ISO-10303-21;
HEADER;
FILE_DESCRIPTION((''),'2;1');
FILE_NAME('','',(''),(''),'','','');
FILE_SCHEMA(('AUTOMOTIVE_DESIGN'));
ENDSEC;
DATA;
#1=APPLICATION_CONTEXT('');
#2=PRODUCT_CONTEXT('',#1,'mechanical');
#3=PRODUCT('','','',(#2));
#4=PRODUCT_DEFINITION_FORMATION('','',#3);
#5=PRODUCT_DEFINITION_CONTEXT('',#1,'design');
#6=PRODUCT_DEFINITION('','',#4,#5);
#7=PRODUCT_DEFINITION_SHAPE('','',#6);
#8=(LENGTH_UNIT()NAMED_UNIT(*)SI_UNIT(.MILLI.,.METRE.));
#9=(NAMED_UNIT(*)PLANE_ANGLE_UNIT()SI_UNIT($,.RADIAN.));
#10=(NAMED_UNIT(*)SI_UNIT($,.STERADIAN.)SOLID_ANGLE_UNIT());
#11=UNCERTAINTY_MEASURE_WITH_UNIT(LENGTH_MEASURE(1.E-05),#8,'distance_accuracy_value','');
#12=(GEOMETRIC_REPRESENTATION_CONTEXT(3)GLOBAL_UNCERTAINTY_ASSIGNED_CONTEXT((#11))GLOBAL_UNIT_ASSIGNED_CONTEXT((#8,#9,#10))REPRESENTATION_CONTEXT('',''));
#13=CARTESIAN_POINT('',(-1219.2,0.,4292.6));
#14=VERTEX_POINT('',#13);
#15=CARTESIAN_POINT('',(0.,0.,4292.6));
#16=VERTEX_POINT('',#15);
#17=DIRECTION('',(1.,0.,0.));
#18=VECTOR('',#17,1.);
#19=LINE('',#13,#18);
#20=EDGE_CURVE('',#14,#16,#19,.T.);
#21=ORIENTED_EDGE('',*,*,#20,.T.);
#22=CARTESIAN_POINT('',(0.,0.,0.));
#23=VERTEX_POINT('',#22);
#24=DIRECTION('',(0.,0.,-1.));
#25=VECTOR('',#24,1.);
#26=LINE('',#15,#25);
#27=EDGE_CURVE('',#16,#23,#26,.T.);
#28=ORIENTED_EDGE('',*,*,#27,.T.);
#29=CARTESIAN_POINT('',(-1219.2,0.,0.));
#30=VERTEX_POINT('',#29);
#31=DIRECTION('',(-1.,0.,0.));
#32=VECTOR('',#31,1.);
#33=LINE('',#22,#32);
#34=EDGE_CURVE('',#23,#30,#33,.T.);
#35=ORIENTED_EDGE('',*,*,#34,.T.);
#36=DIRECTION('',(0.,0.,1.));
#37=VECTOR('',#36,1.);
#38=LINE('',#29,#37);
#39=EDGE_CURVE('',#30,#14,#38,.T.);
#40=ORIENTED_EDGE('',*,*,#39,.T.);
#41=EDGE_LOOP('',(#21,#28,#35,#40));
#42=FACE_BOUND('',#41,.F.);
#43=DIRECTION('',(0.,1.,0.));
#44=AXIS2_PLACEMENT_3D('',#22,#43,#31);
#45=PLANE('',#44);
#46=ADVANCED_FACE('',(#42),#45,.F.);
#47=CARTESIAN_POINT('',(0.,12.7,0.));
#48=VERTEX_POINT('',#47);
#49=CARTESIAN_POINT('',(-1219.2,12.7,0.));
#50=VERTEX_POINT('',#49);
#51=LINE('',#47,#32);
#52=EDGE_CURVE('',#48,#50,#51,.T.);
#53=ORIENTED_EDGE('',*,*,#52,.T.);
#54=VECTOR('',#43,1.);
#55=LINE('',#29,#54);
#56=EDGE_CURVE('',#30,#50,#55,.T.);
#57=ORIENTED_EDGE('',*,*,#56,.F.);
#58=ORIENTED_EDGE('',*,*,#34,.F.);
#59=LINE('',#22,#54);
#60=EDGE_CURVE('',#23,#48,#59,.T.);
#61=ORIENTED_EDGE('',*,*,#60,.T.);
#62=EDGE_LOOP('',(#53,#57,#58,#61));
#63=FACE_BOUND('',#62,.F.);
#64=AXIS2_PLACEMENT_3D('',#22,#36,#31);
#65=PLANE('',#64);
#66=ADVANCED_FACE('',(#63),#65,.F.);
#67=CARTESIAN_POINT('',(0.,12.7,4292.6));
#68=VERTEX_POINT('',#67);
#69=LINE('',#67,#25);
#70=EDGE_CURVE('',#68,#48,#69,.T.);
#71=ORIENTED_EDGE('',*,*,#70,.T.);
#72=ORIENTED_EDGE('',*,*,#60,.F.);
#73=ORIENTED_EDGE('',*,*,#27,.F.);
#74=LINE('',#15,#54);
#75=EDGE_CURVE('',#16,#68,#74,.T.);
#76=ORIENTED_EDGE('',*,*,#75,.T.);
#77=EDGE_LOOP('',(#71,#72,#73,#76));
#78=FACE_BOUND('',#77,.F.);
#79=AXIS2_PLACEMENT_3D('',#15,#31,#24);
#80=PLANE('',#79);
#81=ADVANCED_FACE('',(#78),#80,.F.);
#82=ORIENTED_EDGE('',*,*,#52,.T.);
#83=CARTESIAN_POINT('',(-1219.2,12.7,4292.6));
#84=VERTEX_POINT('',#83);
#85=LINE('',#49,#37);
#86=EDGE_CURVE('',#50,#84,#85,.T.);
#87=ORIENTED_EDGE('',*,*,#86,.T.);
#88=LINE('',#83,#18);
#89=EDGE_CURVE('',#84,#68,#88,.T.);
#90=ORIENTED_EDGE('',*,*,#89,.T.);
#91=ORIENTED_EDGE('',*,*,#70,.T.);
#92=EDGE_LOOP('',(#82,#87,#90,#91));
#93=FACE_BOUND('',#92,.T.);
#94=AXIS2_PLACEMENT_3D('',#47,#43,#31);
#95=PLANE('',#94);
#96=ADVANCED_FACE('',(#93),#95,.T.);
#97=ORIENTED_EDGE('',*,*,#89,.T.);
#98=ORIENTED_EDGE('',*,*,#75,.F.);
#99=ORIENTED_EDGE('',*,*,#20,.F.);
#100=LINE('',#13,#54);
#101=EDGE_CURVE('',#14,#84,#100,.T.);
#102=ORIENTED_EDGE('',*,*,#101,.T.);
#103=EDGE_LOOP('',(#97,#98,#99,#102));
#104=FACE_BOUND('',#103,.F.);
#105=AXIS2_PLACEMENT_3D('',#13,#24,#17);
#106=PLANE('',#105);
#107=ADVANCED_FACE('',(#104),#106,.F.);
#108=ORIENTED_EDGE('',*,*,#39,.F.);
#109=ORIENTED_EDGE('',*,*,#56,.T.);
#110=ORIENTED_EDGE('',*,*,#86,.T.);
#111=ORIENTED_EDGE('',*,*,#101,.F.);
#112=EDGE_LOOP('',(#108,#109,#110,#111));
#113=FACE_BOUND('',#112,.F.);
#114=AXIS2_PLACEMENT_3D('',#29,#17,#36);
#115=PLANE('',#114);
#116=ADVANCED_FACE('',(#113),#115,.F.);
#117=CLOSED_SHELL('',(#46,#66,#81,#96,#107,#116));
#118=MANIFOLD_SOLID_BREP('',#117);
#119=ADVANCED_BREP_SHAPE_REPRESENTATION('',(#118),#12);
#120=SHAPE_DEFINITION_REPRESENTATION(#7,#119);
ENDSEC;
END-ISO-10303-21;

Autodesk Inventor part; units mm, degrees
ref_plane "YZ Plane" through (0, 0, 0) normal (1, 0, 0) x (0, 1, 0)
ref_plane "XZ Plane" through (0, 0, 0) normal (0, 1, 0) x (-1, 0, 0)
ref_plane "XY Plane" through (0, 0, 0) normal (0, 0, 1) x (1, 0, 0)
sketch "Sketch1" plane through (0, 0, 0) normal (0, 1, 0) x (-1, 0, 0)
  line L0 (0, 0) -> (1219.2, 0)
  line L1 (1219.2, 0) -> (1219.2, 4292.6)
  line L2 (1219.2, 4292.6) -> (0, 4292.6)
  line L3 (0, 4292.6) -> (0, 0)
  dimension "d0" = 4292.6
  dimension "d1" = 1219.2
extrude "Extrusion1" add sketch "Sketch1" along normal blind 12.7
properties part number "roof1" material "Wood (Walnut)"
